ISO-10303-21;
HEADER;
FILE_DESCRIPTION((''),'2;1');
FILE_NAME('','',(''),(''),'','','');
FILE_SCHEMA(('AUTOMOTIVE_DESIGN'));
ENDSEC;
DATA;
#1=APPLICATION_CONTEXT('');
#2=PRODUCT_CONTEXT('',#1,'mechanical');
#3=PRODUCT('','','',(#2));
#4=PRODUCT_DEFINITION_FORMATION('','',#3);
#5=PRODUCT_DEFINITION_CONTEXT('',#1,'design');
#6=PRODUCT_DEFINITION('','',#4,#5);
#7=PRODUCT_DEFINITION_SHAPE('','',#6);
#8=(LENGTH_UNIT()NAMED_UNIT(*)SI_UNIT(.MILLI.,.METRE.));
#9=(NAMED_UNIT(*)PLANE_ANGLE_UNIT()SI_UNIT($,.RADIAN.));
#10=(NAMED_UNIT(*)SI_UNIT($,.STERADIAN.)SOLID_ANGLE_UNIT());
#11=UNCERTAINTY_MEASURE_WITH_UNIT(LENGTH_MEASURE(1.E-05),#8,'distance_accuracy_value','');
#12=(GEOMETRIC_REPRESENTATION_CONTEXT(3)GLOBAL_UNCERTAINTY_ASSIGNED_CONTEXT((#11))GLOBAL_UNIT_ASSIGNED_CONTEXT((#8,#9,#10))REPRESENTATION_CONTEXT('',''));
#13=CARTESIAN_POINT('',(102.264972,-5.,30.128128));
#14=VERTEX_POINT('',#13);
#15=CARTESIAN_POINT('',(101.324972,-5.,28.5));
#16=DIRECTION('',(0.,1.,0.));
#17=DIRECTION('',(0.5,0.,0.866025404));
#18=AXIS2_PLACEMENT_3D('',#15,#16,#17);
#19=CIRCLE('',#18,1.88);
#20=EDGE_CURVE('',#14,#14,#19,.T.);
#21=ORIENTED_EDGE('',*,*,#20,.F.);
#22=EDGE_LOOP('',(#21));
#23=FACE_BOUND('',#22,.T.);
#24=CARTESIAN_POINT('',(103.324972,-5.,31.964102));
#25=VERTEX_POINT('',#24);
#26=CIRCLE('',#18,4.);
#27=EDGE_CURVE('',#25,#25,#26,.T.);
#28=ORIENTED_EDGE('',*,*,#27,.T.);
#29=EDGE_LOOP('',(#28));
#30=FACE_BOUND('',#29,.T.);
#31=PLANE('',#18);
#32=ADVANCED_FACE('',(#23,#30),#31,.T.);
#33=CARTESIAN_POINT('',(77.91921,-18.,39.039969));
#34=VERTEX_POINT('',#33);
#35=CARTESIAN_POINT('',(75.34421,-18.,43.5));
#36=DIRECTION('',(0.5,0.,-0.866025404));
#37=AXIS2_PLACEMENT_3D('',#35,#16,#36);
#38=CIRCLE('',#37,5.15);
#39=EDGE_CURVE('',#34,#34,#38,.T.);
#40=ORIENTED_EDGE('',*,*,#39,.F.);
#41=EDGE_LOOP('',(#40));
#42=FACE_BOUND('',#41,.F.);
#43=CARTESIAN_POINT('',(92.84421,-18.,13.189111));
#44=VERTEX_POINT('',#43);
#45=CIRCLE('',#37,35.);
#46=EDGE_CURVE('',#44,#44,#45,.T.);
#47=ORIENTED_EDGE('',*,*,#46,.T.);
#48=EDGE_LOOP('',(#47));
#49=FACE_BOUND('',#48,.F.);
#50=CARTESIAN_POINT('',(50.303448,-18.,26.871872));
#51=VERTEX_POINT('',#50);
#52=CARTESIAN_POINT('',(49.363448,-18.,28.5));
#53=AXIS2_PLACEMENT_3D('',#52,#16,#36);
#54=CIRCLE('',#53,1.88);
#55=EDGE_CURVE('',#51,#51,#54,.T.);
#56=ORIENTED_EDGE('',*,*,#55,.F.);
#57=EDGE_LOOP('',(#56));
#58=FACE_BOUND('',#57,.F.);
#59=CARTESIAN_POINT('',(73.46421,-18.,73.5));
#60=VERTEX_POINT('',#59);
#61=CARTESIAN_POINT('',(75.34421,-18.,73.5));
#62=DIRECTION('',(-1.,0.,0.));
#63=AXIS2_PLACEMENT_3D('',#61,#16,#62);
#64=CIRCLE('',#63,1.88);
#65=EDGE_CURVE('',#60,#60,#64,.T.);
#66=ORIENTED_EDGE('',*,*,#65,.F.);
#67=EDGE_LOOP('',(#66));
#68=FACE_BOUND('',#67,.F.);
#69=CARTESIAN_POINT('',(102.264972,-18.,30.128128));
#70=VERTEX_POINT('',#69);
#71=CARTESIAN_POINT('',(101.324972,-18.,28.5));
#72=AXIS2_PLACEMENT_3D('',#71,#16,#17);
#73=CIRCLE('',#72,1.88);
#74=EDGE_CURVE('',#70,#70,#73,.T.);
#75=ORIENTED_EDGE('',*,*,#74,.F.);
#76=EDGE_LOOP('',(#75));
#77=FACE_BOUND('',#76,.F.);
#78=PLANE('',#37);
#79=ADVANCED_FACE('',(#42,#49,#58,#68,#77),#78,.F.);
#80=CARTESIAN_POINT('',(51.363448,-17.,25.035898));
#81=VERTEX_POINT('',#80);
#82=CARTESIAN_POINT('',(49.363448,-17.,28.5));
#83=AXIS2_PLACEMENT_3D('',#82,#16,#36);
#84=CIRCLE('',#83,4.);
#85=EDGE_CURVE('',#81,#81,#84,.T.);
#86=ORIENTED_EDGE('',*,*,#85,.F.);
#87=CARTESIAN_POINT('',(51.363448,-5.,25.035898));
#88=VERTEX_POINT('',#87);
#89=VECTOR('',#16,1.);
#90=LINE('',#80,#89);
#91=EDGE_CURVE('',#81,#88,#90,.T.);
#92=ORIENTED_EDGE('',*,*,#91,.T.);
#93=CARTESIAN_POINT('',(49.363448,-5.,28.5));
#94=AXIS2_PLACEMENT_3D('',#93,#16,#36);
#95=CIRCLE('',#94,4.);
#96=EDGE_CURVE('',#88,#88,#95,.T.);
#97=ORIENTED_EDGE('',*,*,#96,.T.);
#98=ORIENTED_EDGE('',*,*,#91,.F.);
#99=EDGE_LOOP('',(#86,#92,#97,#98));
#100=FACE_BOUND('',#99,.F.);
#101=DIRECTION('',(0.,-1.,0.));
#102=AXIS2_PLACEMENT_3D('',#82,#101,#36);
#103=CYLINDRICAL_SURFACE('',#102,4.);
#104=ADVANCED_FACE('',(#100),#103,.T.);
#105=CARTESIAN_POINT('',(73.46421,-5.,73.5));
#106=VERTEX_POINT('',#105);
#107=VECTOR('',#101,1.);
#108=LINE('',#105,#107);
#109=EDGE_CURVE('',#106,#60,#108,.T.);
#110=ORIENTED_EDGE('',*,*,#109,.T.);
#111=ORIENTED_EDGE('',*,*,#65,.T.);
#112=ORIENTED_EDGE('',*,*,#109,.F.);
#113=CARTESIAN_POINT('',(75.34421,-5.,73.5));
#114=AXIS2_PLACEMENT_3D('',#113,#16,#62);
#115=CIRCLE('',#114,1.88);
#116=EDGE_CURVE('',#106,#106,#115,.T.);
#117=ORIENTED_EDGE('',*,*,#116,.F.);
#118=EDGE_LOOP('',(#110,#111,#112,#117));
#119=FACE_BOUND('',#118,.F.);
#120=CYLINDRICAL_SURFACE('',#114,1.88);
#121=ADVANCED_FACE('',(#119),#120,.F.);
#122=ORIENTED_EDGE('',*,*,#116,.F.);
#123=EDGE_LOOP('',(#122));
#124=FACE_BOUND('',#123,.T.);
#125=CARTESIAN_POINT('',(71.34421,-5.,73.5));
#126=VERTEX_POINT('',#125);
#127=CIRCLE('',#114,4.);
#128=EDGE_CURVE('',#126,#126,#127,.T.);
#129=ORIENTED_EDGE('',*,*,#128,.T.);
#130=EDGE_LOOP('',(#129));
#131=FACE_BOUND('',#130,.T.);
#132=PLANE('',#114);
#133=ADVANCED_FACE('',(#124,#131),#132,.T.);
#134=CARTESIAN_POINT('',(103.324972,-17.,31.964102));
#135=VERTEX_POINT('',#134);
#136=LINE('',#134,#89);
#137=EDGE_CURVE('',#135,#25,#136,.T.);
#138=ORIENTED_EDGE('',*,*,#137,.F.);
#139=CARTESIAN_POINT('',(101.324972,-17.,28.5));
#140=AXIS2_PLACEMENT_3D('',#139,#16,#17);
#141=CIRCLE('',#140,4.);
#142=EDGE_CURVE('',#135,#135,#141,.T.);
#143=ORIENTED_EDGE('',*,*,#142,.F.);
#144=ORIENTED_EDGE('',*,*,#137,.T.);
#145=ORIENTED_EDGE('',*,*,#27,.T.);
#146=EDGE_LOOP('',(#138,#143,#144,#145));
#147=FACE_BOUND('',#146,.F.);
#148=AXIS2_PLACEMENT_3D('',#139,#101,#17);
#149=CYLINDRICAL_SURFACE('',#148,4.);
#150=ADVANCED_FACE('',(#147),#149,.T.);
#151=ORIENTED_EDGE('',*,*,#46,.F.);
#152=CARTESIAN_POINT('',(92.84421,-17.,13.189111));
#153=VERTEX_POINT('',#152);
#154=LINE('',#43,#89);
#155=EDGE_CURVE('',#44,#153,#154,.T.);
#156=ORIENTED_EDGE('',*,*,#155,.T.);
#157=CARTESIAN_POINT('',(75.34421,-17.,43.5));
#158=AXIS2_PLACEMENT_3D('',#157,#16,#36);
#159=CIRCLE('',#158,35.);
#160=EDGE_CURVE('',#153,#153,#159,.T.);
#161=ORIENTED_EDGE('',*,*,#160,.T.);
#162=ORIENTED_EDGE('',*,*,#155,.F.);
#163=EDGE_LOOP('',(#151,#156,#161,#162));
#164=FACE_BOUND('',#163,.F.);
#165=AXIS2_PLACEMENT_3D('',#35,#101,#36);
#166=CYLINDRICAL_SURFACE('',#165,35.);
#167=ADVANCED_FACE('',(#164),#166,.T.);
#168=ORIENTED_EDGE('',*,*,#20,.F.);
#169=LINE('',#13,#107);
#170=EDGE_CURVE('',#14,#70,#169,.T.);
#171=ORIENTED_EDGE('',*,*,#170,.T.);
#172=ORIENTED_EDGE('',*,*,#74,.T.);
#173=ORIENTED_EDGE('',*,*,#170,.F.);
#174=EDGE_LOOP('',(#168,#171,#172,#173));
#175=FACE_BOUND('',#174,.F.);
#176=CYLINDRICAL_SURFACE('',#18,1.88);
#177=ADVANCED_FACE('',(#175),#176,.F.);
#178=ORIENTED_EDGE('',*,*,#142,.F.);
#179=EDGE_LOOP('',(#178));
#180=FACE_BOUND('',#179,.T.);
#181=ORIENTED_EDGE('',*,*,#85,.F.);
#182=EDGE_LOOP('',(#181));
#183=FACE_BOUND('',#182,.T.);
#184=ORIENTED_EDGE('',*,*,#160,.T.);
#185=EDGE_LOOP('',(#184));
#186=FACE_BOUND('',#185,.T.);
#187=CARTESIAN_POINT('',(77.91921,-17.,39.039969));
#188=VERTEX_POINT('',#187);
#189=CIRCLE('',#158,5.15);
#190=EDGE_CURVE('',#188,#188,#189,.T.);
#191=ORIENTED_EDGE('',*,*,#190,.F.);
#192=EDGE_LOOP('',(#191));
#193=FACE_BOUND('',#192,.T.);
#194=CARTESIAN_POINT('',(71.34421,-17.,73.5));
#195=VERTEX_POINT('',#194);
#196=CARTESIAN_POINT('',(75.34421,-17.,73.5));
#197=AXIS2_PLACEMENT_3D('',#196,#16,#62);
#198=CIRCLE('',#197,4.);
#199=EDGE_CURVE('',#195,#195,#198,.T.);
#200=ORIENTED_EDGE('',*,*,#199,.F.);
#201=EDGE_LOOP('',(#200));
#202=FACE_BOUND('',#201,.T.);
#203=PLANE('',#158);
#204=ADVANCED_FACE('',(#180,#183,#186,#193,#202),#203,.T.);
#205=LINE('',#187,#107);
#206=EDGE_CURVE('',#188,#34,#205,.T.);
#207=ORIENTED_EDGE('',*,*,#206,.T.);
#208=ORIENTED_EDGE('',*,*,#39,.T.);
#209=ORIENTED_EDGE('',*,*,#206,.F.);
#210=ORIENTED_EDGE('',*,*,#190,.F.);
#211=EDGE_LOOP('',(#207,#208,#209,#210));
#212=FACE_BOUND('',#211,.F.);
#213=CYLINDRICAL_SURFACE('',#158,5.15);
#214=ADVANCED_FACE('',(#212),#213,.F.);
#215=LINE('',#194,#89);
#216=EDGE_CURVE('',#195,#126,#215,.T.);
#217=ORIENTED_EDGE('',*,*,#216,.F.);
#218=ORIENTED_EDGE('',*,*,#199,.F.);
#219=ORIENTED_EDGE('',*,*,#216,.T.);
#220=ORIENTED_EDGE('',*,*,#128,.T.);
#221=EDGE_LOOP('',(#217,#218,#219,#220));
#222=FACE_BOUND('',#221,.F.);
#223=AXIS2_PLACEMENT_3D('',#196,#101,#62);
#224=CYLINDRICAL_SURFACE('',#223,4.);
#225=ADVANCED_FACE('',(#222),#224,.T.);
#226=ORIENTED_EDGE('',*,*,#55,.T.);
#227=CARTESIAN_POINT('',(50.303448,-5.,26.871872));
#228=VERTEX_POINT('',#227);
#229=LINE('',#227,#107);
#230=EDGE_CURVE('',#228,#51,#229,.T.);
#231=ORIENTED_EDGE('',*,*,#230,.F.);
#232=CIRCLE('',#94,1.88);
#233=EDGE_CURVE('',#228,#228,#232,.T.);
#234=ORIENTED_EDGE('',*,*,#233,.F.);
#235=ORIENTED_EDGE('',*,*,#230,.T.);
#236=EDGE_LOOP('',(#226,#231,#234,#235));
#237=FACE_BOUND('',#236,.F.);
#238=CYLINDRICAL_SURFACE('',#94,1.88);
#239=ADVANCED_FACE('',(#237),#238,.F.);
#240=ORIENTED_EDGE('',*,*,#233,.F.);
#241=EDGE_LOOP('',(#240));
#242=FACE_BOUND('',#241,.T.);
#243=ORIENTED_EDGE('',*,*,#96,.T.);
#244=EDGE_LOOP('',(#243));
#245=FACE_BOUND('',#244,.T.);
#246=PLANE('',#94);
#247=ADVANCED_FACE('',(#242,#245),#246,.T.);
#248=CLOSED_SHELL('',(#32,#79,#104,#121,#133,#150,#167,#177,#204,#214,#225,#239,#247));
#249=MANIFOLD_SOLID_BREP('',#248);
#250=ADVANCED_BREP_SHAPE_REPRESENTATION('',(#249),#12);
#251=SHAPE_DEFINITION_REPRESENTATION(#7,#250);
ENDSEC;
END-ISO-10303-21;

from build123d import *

# Parameters (mm, degrees)
SKETCH010_R           = 35
PAD001_DEPTH          = 1
SKETCH011_R           = 4
PAD002_DEPTH          = 12
POLARPATTERN003_COUNT = 3
SKETCH012_R           = 1.88
POCKET004_DEPTH       = 212.690759
POLARPATTERN004_COUNT = 3
SKETCH013_R           = 5.15
POCKET005_DEPTH       = 1.001
BODY003_ROLL_ANGLE    = 180
BODY003_PITCH_ANGLE   = 60


with BuildPart() as part:
    # Sketch010 → Pad001 (new body)
    with BuildSketch(Plane.XZ):
        Circle(SKETCH010_R)
    extrude(amount=PAD001_DEPTH)

    # Sketch011 (on Face3 of Pad001) → Pad002 (join)
    with BuildSketch(Plane.XZ.offset(1)):
        with Locations((0, 30)):
            Circle(SKETCH011_R)
    pad002 = extrude(amount=PAD002_DEPTH)

    # PolarPattern003: Pad002 ×3 about axis
    polarpattern003_axis = Axis((0, -1, 0), (0, -1, 0))
    for i in range(1, POLARPATTERN003_COUNT):
        add(pad002.rotate(polarpattern003_axis, i * 360 / POLARPATTERN003_COUNT))

    # Sketch012 (on Face8 of PolarPattern003) → Pocket004 (cut, through all)
    with BuildSketch(Plane.XZ.offset(13)):
        with Locations((0, 30)):
            Circle(SKETCH012_R)
    pocket004 = extrude(amount=-POCKET004_DEPTH, mode=Mode.SUBTRACT)

    # PolarPattern004: Pocket004 ×3 about axis
    polarpattern004_axis = Axis((0, -13, 0), (0, -1, 0))
    for i in range(1, POLARPATTERN004_COUNT):
        add(pocket004.rotate(polarpattern004_axis, i * 360 / POLARPATTERN004_COUNT), mode=Mode.SUBTRACT)

    # Sketch013 (on Face3 of PolarPattern004) → Pocket005 (cut, through all)
    with BuildSketch(Plane.XZ.offset(1)):
        Circle(SKETCH013_R)
    extrude(amount=-POCKET005_DEPTH, mode=Mode.SUBTRACT)


with BuildPart() as part_1:
    # Body003 roll: moved
    add(part.part.rotate(Axis((0, 0, 0), (1, 0, 0)), BODY003_ROLL_ANGLE))


with BuildPart() as part_2:
    # Body003 pitch: moved
    add(part_1.part.rotate(Axis((0, 0, 0), (0, 1, 0)), BODY003_PITCH_ANGLE))


with BuildPart() as part_3:
    # Body003 placement: moved
    add(part_2.part.moved(Location((75.34421, -18, 43.5))))


solid = part_3.part
